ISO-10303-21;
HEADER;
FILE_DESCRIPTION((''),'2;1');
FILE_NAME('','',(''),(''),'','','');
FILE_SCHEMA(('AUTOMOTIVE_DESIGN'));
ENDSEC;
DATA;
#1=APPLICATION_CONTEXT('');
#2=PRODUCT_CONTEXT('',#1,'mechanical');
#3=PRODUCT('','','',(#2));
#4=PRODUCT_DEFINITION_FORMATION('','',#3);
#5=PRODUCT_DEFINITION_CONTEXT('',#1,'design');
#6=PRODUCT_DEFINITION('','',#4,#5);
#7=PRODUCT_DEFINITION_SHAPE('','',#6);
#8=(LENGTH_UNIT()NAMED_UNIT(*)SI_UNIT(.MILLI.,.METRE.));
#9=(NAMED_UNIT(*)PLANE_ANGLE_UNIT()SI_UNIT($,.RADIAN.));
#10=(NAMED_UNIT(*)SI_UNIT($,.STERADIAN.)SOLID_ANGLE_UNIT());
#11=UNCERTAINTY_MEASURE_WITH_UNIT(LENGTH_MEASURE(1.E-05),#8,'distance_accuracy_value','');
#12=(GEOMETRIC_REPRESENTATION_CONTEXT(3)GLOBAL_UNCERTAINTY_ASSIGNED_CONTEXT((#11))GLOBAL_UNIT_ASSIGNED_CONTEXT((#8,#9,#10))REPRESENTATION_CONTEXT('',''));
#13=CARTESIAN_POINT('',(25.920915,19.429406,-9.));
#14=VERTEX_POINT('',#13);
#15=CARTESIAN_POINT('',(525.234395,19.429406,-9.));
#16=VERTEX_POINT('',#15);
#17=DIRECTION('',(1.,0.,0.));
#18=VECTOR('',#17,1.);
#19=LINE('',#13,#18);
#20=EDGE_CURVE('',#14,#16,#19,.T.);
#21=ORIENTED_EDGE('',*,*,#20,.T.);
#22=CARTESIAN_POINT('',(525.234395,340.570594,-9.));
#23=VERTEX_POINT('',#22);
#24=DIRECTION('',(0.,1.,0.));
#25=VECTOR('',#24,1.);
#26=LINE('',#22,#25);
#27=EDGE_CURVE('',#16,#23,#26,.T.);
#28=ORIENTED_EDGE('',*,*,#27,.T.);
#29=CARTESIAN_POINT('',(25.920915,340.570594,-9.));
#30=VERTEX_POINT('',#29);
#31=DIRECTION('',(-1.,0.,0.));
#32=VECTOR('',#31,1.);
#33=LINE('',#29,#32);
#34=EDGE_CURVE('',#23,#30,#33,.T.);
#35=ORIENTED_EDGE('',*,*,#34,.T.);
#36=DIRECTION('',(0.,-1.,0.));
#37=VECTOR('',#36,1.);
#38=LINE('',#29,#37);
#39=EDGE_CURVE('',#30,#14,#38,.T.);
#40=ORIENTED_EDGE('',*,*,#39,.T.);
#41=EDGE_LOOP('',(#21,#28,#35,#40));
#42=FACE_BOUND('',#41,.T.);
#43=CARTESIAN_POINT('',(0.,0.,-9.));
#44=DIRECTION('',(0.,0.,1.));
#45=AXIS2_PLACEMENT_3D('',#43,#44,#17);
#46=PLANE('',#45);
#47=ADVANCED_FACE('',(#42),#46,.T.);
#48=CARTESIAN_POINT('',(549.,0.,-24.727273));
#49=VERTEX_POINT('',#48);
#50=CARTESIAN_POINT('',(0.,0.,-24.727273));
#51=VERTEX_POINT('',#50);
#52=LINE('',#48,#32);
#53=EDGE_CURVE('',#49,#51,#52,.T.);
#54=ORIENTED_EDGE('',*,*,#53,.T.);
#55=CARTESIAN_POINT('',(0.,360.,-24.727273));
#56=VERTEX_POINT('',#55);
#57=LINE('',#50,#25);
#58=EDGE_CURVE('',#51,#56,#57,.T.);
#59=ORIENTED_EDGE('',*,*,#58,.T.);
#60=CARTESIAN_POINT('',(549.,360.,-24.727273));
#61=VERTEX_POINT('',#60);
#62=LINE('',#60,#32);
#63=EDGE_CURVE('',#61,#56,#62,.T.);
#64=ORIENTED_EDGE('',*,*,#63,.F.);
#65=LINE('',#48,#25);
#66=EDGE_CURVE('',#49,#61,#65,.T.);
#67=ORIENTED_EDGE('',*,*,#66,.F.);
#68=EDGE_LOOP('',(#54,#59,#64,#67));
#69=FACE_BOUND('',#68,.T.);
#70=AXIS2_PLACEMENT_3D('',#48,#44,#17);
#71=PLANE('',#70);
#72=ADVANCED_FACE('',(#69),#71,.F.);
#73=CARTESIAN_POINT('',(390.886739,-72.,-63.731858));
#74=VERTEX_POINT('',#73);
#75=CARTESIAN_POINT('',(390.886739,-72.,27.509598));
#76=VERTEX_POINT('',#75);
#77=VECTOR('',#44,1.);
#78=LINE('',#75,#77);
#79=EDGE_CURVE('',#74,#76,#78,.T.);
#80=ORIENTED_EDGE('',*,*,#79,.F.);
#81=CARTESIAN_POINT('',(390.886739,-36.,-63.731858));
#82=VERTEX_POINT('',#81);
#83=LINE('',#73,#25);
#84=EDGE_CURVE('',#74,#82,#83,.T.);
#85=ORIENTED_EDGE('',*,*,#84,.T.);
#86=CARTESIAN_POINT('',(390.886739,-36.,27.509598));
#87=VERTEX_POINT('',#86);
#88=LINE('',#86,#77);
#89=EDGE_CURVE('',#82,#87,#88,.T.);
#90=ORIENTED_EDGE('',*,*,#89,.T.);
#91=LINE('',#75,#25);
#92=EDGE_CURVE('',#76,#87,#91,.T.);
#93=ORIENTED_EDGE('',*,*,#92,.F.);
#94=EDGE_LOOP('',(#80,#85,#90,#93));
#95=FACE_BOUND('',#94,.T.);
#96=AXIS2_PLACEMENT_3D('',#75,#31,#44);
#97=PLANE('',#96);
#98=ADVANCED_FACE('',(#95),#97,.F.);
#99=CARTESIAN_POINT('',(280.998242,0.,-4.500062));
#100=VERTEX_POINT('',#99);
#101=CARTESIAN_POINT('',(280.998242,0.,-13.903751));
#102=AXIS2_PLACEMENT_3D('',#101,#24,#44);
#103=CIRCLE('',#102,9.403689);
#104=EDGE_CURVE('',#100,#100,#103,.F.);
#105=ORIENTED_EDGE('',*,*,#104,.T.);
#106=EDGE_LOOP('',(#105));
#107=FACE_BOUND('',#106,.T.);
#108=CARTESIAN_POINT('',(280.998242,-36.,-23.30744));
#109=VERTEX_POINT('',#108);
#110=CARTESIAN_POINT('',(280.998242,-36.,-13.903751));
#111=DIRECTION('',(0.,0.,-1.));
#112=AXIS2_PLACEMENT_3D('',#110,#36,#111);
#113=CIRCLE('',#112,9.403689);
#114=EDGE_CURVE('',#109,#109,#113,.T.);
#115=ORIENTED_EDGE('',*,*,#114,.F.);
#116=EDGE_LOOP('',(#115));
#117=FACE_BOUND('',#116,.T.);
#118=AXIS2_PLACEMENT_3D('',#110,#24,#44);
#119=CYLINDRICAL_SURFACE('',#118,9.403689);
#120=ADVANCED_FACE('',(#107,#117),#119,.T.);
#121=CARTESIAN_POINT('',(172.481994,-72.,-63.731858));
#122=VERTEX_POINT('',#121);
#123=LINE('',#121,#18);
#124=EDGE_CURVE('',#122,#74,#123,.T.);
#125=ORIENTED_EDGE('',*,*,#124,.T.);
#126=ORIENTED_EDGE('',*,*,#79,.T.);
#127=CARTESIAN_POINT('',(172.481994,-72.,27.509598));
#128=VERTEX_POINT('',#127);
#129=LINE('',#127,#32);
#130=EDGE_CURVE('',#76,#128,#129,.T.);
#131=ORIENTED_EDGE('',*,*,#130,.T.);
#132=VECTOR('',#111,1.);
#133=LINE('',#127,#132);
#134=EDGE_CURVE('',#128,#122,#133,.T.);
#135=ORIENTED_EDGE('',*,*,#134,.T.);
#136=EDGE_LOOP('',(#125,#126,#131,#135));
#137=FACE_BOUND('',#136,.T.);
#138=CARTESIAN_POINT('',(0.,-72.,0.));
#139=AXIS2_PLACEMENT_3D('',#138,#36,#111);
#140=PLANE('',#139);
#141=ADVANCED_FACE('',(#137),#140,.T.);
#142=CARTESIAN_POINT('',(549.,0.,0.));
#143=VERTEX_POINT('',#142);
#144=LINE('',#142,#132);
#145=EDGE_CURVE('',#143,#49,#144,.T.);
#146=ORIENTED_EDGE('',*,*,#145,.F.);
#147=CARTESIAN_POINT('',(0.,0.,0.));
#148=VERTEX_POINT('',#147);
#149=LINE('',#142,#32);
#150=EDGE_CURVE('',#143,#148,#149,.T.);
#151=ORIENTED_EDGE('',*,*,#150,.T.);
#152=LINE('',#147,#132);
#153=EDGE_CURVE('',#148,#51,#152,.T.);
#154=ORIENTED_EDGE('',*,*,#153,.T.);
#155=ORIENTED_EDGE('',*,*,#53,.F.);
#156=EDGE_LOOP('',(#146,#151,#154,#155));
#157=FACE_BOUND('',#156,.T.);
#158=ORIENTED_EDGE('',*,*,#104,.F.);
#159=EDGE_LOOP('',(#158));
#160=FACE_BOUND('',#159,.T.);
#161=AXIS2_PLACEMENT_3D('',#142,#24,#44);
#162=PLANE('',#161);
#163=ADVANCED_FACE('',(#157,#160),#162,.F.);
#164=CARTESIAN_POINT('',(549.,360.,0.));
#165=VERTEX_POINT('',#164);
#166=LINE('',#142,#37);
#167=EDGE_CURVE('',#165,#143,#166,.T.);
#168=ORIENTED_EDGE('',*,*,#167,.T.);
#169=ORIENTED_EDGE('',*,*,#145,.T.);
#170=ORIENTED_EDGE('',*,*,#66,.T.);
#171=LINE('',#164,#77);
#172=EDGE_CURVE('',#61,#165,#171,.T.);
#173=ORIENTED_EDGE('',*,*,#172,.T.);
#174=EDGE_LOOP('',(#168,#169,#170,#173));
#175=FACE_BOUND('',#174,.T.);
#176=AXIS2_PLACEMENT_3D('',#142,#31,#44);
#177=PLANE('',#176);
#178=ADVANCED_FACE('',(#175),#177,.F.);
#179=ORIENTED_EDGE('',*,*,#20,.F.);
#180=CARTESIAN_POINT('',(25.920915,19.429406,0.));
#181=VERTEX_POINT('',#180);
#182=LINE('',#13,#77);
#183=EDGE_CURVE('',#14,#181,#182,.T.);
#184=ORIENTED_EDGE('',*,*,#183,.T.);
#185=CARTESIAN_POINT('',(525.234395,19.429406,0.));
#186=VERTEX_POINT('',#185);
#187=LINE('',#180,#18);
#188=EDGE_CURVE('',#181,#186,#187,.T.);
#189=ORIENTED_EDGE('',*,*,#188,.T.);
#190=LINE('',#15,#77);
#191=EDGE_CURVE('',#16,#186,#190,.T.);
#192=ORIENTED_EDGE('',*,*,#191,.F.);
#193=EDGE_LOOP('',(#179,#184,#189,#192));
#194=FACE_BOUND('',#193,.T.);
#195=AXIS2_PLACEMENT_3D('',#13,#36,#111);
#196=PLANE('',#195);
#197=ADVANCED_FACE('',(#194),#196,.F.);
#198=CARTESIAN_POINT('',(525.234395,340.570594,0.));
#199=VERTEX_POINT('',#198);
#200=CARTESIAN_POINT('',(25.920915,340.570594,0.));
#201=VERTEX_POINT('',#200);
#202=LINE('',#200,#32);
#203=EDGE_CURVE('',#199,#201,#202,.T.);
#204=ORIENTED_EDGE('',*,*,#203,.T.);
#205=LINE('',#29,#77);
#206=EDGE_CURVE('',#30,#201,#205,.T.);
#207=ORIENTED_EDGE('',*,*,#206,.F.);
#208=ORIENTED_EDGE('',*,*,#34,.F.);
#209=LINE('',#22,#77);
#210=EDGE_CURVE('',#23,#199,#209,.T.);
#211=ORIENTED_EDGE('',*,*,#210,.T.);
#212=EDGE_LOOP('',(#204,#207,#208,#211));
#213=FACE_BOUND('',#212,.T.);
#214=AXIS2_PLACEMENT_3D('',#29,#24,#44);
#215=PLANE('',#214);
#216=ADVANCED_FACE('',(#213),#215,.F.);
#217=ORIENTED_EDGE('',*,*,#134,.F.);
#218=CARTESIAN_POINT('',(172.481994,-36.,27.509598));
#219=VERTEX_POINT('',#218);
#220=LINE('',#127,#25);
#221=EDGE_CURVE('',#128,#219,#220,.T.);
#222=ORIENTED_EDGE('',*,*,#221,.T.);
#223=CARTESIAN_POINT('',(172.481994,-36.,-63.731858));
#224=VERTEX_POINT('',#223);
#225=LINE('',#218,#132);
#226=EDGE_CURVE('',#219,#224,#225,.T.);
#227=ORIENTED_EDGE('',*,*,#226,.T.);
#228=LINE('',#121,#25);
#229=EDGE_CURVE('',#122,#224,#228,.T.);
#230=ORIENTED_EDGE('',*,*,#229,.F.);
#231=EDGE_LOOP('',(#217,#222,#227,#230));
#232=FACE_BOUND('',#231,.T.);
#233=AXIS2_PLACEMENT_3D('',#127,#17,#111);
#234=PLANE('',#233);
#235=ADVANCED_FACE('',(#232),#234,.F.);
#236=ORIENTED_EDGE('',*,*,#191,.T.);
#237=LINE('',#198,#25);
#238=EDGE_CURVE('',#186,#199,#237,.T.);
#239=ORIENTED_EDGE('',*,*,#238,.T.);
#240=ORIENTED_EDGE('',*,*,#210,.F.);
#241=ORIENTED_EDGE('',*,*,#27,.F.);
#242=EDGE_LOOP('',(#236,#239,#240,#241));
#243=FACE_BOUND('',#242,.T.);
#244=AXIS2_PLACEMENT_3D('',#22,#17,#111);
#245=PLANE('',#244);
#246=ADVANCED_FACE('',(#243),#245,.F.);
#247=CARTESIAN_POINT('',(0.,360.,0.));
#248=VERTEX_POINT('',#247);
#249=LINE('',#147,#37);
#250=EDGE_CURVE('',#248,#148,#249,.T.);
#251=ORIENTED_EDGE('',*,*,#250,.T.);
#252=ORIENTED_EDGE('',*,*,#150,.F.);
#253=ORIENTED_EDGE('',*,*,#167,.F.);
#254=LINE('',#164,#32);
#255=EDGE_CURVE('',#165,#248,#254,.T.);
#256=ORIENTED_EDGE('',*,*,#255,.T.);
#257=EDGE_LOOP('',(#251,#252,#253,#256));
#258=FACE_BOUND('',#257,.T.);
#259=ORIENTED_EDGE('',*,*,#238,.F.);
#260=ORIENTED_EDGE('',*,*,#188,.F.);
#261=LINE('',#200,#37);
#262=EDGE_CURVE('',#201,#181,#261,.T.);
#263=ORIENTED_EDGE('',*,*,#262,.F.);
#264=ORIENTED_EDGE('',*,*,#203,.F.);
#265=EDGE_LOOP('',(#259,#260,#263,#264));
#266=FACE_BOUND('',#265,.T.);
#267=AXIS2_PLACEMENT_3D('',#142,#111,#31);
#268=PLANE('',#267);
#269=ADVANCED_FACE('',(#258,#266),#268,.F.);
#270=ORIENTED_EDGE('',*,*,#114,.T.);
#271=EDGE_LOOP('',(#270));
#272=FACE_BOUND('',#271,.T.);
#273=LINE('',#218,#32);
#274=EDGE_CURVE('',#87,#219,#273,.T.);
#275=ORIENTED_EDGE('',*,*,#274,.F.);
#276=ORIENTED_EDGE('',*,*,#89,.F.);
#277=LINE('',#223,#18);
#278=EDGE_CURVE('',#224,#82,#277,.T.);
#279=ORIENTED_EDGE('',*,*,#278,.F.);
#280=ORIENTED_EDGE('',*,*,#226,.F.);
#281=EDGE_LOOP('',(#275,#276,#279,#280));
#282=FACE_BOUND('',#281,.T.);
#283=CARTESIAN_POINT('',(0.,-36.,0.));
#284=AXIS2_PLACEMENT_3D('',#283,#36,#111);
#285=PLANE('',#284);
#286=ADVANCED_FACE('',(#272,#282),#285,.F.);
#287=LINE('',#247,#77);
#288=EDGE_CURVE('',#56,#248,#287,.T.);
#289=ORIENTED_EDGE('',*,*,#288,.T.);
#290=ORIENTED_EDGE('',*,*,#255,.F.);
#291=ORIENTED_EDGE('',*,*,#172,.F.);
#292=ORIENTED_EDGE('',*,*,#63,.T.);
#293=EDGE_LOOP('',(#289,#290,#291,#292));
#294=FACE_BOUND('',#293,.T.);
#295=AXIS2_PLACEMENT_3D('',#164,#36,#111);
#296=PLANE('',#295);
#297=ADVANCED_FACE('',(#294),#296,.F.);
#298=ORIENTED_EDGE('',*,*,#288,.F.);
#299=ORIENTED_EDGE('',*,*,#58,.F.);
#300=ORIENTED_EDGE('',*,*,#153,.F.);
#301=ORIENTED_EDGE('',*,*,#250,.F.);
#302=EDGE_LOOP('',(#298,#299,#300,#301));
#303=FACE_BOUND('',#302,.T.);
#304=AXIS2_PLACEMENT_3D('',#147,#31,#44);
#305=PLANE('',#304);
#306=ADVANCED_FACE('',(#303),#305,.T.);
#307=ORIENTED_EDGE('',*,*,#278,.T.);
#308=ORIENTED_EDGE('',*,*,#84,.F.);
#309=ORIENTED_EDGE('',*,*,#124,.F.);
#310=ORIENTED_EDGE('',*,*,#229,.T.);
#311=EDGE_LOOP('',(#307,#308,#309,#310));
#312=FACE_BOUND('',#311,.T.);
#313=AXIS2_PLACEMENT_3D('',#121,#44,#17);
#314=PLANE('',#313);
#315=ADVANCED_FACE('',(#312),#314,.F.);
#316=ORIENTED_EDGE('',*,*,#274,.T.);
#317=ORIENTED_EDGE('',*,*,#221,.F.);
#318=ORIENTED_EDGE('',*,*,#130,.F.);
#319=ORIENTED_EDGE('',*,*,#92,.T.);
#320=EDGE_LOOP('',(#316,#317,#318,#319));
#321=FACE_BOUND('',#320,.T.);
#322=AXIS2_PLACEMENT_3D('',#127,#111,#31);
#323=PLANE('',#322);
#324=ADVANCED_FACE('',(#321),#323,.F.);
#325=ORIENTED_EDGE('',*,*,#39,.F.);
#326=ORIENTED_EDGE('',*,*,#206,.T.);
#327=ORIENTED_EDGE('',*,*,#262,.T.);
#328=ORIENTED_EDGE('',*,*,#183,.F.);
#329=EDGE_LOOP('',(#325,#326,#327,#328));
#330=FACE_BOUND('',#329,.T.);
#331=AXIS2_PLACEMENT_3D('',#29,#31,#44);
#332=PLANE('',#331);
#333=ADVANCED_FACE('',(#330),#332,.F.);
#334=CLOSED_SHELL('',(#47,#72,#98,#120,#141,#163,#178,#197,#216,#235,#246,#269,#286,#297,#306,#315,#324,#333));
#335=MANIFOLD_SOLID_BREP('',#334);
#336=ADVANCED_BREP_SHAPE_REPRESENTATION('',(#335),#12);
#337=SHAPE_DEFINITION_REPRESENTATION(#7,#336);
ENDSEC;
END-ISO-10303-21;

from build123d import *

# Parameters (mm, degrees)
CROQUIS1_W              = 24.727272727
CROQUIS1_H              = 360
SALIENTE_EXTRUIR1_DEPTH = 549
CROQUIS3_W              = 499.313479992
CROQUIS3_H              = 321.141187852
CORTAR_EXTRUIR1_DEPTH   = 9
CROQUIS4_R              = 9.403689311
SALIENTE_EXTRUIR2_DEPTH = 36
CROQUIS5_W              = 218.404745205
CROQUIS5_H              = 91.241456057
SALIENTE_EXTRUIR3_DEPTH = 36


with BuildPart() as part:
    # Croquis1 → Saliente-Extruir1 (new body)
    with BuildSketch(Plane(origin=(0, 0, 0), x_dir=(0, 0, -1), z_dir=(1, 0, 0))):
        with Locations((12.363636364, 180)):
            Rectangle(CROQUIS1_W, CROQUIS1_H)
    extrude(amount=SALIENTE_EXTRUIR1_DEPTH)

    # Croquis3 → Cortar-Extruir1 (cut)
    with BuildSketch(Plane.XY):
        with Locations((275.577654993, 180)):
            Rectangle(CROQUIS3_W, CROQUIS3_H)
    extrude(amount=-CORTAR_EXTRUIR1_DEPTH, mode=Mode.SUBTRACT)

    # Croquis4 → Saliente-Extruir2 (add)
    with BuildSketch(Plane.XZ):
        with Locations((280.998241646, -13.903750832)):
            Circle(CROQUIS4_R)
    extrude(amount=SALIENTE_EXTRUIR2_DEPTH)

    # Croquis5 → Saliente-Extruir3 (add)
    with BuildSketch(Plane.XZ.offset(36)):
        with Locations((281.684366619, -18.111129658)):
            Rectangle(CROQUIS5_W, CROQUIS5_H)
    extrude(amount=SALIENTE_EXTRUIR3_DEPTH)


solid = part.part
